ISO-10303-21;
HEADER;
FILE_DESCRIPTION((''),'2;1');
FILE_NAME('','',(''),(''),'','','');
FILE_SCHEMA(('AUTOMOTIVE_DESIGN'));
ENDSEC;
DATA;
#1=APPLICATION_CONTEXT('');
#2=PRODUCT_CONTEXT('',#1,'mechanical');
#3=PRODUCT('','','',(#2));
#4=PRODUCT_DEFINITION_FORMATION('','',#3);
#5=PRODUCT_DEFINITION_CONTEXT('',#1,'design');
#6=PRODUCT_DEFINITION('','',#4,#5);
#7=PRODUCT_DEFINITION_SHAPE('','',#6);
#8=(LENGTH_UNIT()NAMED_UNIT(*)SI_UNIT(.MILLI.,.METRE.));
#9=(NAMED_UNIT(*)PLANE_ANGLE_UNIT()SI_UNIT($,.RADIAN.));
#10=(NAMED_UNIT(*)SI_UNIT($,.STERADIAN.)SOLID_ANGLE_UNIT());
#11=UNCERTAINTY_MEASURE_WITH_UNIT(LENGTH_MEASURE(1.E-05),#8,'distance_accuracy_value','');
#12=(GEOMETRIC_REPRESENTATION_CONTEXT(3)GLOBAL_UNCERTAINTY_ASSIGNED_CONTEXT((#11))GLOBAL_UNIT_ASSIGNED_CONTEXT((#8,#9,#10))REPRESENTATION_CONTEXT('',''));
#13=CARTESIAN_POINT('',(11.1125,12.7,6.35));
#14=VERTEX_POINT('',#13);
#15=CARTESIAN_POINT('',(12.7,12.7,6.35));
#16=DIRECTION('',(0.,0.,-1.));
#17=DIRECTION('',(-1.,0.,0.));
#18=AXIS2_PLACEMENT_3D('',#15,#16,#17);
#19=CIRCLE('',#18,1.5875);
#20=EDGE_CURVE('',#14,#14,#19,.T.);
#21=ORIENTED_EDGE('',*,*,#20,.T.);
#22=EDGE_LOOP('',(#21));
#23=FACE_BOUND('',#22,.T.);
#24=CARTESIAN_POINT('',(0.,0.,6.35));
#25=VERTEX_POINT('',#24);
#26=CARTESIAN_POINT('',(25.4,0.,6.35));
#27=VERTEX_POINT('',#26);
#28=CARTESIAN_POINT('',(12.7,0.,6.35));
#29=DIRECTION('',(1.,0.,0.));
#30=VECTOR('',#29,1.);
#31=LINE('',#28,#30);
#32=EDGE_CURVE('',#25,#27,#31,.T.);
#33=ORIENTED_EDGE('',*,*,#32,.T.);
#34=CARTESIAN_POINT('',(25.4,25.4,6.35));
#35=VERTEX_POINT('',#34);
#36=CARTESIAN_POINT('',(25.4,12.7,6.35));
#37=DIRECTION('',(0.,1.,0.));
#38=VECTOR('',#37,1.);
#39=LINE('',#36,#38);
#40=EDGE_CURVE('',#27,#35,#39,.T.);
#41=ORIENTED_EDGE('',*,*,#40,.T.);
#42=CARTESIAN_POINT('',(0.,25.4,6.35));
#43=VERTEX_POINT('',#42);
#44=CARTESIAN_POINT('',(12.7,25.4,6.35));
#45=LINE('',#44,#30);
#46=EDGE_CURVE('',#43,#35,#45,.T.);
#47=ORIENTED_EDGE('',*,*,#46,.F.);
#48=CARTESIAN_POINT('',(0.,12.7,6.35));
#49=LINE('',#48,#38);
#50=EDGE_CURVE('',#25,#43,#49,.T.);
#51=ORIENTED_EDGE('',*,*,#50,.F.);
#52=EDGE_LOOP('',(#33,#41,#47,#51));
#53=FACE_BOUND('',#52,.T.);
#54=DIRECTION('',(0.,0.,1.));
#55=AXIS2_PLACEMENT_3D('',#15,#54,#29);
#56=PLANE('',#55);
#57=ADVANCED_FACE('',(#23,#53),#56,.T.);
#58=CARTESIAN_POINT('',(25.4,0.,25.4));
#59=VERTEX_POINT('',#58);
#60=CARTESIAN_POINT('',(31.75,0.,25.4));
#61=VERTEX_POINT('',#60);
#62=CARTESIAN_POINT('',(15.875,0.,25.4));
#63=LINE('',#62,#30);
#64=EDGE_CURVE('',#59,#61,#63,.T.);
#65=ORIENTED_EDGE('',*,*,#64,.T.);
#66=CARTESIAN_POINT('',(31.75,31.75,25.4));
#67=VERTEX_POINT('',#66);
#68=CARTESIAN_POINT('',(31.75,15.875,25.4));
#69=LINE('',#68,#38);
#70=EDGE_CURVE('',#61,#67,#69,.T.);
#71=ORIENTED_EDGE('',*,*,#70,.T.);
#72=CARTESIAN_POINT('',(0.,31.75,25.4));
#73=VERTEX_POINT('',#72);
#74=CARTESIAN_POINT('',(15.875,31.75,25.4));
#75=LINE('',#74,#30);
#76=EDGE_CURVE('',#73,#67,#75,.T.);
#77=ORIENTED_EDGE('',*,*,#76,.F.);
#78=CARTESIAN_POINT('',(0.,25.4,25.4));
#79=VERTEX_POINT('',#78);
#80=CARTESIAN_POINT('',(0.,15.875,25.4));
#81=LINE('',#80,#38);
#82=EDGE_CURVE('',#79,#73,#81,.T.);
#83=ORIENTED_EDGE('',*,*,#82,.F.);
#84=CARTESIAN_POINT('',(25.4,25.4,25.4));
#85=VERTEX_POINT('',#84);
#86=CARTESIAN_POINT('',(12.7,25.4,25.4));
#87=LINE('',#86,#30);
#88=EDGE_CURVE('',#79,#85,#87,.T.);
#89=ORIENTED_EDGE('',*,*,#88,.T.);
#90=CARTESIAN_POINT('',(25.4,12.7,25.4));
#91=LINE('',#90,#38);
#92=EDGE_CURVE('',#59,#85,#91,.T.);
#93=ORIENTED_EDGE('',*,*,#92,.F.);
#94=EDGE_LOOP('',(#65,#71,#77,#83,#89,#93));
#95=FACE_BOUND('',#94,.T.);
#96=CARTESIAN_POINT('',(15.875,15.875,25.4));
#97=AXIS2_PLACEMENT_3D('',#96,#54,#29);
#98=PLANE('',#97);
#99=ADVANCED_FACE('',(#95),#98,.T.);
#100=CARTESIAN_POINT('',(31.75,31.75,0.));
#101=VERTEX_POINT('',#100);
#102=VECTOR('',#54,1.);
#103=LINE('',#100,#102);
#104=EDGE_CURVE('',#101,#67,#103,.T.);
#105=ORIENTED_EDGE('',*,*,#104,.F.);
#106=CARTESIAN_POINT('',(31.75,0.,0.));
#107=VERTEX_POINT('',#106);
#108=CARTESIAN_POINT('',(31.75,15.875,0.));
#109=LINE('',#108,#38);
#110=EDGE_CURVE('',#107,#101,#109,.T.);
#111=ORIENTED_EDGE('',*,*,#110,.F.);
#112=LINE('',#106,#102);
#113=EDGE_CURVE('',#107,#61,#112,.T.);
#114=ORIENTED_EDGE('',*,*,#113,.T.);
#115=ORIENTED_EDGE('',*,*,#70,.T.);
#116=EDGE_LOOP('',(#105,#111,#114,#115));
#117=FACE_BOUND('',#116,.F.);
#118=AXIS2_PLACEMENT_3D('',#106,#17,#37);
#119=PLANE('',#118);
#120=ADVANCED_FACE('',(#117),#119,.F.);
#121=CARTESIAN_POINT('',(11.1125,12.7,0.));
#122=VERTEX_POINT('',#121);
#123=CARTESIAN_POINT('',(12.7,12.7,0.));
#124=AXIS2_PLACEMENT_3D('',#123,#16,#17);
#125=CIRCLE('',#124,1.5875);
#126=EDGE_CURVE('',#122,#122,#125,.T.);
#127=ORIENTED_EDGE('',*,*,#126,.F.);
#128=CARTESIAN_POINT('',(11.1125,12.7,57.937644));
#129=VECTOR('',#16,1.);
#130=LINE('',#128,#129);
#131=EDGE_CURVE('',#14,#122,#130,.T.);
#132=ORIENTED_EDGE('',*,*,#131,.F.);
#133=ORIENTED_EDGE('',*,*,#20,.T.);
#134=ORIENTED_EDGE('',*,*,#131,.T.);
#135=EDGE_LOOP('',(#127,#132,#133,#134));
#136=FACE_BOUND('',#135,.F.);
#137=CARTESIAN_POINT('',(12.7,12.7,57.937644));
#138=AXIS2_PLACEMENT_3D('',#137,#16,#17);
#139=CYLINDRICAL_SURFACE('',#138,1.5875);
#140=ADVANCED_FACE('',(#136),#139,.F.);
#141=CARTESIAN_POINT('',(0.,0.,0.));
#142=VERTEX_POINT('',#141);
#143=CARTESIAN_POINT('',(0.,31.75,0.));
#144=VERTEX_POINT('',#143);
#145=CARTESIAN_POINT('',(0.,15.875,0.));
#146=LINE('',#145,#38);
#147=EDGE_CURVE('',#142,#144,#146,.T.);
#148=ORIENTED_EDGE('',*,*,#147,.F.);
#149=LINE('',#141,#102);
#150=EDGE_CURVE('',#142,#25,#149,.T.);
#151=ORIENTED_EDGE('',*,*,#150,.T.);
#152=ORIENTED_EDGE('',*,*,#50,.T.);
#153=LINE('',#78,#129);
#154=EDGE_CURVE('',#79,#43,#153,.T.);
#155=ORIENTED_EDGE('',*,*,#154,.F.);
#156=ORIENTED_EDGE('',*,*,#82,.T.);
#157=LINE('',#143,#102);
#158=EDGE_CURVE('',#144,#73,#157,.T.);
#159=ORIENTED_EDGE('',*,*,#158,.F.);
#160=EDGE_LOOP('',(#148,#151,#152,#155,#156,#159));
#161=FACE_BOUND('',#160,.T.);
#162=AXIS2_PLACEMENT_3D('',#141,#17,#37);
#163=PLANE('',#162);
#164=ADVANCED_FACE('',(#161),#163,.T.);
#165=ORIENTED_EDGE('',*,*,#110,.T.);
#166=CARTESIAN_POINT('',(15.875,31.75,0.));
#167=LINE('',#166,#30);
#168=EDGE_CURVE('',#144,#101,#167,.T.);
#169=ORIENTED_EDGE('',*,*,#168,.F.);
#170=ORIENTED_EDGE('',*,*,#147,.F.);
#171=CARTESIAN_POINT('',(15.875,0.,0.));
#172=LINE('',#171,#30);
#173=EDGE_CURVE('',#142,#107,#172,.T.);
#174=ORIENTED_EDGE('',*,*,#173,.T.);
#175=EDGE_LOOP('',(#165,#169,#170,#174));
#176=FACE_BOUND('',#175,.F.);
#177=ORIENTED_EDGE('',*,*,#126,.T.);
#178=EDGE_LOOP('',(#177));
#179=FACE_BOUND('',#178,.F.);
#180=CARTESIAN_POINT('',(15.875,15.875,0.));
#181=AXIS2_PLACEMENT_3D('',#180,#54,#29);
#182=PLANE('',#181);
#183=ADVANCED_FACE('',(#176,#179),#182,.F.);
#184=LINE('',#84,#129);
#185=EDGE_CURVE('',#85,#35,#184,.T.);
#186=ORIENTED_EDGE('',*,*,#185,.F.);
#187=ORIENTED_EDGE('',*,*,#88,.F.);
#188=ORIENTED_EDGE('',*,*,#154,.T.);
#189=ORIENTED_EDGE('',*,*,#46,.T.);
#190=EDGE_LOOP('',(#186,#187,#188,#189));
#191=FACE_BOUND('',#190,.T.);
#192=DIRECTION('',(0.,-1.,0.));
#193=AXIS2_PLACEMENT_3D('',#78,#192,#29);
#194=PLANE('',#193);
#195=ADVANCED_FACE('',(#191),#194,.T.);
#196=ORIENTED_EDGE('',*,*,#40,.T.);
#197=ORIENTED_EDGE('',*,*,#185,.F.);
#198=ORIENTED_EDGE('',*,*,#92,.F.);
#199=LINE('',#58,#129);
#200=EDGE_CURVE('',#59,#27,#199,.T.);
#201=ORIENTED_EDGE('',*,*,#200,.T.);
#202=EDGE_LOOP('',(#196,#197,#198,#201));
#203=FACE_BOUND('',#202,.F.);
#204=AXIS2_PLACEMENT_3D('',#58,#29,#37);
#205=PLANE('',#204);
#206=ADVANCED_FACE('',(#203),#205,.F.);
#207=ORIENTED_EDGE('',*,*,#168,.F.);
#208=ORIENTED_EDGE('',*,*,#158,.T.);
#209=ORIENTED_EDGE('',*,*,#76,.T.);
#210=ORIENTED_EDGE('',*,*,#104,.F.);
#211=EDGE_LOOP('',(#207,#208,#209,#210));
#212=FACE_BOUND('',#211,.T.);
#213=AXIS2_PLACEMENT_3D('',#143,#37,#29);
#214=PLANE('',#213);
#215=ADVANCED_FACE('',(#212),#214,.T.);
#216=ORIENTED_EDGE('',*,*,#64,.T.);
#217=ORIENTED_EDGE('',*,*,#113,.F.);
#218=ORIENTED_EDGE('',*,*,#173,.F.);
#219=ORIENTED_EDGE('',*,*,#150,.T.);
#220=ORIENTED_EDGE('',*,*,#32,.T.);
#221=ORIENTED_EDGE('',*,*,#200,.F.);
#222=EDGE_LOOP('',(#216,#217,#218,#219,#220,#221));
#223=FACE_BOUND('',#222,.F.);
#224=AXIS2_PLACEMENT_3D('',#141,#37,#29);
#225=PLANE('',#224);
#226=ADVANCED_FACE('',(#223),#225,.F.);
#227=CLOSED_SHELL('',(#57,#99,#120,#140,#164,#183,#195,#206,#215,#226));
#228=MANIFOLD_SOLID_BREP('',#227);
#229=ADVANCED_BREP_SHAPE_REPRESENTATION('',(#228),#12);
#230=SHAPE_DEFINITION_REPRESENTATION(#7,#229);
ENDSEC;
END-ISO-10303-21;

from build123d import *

# Parameters (mm, degrees)
F0_W     = 31.75
F0_H     = 31.75
F1_DEPTH = 25.4
F2_W     = 25.4
F2_H     = 25.4
F3_DEPTH = 19.05
F5_D     = 3.175


with BuildPart() as f1:
    # F0 (on Top) → F1 (new body)
    with BuildSketch(Plane.XY):
        with Locations((15.875, 15.875)):
            Rectangle(F0_W, F0_H)
    extrude(amount=F1_DEPTH)

    # F2 (on face) → F3 (cut)
    with BuildSketch(Plane.XY.offset(25.4)):
        with Locations((12.7, 12.7)):
            Rectangle(F2_W, F2_H)
    extrude(amount=-F3_DEPTH, mode=Mode.SUBTRACT)

    # F5 (through all)
    with Locations(Plane.XY.offset(6.35)):
        with Locations((12.7, 12.7)):
            Hole(F5_D / 2)


solid = f1.part
